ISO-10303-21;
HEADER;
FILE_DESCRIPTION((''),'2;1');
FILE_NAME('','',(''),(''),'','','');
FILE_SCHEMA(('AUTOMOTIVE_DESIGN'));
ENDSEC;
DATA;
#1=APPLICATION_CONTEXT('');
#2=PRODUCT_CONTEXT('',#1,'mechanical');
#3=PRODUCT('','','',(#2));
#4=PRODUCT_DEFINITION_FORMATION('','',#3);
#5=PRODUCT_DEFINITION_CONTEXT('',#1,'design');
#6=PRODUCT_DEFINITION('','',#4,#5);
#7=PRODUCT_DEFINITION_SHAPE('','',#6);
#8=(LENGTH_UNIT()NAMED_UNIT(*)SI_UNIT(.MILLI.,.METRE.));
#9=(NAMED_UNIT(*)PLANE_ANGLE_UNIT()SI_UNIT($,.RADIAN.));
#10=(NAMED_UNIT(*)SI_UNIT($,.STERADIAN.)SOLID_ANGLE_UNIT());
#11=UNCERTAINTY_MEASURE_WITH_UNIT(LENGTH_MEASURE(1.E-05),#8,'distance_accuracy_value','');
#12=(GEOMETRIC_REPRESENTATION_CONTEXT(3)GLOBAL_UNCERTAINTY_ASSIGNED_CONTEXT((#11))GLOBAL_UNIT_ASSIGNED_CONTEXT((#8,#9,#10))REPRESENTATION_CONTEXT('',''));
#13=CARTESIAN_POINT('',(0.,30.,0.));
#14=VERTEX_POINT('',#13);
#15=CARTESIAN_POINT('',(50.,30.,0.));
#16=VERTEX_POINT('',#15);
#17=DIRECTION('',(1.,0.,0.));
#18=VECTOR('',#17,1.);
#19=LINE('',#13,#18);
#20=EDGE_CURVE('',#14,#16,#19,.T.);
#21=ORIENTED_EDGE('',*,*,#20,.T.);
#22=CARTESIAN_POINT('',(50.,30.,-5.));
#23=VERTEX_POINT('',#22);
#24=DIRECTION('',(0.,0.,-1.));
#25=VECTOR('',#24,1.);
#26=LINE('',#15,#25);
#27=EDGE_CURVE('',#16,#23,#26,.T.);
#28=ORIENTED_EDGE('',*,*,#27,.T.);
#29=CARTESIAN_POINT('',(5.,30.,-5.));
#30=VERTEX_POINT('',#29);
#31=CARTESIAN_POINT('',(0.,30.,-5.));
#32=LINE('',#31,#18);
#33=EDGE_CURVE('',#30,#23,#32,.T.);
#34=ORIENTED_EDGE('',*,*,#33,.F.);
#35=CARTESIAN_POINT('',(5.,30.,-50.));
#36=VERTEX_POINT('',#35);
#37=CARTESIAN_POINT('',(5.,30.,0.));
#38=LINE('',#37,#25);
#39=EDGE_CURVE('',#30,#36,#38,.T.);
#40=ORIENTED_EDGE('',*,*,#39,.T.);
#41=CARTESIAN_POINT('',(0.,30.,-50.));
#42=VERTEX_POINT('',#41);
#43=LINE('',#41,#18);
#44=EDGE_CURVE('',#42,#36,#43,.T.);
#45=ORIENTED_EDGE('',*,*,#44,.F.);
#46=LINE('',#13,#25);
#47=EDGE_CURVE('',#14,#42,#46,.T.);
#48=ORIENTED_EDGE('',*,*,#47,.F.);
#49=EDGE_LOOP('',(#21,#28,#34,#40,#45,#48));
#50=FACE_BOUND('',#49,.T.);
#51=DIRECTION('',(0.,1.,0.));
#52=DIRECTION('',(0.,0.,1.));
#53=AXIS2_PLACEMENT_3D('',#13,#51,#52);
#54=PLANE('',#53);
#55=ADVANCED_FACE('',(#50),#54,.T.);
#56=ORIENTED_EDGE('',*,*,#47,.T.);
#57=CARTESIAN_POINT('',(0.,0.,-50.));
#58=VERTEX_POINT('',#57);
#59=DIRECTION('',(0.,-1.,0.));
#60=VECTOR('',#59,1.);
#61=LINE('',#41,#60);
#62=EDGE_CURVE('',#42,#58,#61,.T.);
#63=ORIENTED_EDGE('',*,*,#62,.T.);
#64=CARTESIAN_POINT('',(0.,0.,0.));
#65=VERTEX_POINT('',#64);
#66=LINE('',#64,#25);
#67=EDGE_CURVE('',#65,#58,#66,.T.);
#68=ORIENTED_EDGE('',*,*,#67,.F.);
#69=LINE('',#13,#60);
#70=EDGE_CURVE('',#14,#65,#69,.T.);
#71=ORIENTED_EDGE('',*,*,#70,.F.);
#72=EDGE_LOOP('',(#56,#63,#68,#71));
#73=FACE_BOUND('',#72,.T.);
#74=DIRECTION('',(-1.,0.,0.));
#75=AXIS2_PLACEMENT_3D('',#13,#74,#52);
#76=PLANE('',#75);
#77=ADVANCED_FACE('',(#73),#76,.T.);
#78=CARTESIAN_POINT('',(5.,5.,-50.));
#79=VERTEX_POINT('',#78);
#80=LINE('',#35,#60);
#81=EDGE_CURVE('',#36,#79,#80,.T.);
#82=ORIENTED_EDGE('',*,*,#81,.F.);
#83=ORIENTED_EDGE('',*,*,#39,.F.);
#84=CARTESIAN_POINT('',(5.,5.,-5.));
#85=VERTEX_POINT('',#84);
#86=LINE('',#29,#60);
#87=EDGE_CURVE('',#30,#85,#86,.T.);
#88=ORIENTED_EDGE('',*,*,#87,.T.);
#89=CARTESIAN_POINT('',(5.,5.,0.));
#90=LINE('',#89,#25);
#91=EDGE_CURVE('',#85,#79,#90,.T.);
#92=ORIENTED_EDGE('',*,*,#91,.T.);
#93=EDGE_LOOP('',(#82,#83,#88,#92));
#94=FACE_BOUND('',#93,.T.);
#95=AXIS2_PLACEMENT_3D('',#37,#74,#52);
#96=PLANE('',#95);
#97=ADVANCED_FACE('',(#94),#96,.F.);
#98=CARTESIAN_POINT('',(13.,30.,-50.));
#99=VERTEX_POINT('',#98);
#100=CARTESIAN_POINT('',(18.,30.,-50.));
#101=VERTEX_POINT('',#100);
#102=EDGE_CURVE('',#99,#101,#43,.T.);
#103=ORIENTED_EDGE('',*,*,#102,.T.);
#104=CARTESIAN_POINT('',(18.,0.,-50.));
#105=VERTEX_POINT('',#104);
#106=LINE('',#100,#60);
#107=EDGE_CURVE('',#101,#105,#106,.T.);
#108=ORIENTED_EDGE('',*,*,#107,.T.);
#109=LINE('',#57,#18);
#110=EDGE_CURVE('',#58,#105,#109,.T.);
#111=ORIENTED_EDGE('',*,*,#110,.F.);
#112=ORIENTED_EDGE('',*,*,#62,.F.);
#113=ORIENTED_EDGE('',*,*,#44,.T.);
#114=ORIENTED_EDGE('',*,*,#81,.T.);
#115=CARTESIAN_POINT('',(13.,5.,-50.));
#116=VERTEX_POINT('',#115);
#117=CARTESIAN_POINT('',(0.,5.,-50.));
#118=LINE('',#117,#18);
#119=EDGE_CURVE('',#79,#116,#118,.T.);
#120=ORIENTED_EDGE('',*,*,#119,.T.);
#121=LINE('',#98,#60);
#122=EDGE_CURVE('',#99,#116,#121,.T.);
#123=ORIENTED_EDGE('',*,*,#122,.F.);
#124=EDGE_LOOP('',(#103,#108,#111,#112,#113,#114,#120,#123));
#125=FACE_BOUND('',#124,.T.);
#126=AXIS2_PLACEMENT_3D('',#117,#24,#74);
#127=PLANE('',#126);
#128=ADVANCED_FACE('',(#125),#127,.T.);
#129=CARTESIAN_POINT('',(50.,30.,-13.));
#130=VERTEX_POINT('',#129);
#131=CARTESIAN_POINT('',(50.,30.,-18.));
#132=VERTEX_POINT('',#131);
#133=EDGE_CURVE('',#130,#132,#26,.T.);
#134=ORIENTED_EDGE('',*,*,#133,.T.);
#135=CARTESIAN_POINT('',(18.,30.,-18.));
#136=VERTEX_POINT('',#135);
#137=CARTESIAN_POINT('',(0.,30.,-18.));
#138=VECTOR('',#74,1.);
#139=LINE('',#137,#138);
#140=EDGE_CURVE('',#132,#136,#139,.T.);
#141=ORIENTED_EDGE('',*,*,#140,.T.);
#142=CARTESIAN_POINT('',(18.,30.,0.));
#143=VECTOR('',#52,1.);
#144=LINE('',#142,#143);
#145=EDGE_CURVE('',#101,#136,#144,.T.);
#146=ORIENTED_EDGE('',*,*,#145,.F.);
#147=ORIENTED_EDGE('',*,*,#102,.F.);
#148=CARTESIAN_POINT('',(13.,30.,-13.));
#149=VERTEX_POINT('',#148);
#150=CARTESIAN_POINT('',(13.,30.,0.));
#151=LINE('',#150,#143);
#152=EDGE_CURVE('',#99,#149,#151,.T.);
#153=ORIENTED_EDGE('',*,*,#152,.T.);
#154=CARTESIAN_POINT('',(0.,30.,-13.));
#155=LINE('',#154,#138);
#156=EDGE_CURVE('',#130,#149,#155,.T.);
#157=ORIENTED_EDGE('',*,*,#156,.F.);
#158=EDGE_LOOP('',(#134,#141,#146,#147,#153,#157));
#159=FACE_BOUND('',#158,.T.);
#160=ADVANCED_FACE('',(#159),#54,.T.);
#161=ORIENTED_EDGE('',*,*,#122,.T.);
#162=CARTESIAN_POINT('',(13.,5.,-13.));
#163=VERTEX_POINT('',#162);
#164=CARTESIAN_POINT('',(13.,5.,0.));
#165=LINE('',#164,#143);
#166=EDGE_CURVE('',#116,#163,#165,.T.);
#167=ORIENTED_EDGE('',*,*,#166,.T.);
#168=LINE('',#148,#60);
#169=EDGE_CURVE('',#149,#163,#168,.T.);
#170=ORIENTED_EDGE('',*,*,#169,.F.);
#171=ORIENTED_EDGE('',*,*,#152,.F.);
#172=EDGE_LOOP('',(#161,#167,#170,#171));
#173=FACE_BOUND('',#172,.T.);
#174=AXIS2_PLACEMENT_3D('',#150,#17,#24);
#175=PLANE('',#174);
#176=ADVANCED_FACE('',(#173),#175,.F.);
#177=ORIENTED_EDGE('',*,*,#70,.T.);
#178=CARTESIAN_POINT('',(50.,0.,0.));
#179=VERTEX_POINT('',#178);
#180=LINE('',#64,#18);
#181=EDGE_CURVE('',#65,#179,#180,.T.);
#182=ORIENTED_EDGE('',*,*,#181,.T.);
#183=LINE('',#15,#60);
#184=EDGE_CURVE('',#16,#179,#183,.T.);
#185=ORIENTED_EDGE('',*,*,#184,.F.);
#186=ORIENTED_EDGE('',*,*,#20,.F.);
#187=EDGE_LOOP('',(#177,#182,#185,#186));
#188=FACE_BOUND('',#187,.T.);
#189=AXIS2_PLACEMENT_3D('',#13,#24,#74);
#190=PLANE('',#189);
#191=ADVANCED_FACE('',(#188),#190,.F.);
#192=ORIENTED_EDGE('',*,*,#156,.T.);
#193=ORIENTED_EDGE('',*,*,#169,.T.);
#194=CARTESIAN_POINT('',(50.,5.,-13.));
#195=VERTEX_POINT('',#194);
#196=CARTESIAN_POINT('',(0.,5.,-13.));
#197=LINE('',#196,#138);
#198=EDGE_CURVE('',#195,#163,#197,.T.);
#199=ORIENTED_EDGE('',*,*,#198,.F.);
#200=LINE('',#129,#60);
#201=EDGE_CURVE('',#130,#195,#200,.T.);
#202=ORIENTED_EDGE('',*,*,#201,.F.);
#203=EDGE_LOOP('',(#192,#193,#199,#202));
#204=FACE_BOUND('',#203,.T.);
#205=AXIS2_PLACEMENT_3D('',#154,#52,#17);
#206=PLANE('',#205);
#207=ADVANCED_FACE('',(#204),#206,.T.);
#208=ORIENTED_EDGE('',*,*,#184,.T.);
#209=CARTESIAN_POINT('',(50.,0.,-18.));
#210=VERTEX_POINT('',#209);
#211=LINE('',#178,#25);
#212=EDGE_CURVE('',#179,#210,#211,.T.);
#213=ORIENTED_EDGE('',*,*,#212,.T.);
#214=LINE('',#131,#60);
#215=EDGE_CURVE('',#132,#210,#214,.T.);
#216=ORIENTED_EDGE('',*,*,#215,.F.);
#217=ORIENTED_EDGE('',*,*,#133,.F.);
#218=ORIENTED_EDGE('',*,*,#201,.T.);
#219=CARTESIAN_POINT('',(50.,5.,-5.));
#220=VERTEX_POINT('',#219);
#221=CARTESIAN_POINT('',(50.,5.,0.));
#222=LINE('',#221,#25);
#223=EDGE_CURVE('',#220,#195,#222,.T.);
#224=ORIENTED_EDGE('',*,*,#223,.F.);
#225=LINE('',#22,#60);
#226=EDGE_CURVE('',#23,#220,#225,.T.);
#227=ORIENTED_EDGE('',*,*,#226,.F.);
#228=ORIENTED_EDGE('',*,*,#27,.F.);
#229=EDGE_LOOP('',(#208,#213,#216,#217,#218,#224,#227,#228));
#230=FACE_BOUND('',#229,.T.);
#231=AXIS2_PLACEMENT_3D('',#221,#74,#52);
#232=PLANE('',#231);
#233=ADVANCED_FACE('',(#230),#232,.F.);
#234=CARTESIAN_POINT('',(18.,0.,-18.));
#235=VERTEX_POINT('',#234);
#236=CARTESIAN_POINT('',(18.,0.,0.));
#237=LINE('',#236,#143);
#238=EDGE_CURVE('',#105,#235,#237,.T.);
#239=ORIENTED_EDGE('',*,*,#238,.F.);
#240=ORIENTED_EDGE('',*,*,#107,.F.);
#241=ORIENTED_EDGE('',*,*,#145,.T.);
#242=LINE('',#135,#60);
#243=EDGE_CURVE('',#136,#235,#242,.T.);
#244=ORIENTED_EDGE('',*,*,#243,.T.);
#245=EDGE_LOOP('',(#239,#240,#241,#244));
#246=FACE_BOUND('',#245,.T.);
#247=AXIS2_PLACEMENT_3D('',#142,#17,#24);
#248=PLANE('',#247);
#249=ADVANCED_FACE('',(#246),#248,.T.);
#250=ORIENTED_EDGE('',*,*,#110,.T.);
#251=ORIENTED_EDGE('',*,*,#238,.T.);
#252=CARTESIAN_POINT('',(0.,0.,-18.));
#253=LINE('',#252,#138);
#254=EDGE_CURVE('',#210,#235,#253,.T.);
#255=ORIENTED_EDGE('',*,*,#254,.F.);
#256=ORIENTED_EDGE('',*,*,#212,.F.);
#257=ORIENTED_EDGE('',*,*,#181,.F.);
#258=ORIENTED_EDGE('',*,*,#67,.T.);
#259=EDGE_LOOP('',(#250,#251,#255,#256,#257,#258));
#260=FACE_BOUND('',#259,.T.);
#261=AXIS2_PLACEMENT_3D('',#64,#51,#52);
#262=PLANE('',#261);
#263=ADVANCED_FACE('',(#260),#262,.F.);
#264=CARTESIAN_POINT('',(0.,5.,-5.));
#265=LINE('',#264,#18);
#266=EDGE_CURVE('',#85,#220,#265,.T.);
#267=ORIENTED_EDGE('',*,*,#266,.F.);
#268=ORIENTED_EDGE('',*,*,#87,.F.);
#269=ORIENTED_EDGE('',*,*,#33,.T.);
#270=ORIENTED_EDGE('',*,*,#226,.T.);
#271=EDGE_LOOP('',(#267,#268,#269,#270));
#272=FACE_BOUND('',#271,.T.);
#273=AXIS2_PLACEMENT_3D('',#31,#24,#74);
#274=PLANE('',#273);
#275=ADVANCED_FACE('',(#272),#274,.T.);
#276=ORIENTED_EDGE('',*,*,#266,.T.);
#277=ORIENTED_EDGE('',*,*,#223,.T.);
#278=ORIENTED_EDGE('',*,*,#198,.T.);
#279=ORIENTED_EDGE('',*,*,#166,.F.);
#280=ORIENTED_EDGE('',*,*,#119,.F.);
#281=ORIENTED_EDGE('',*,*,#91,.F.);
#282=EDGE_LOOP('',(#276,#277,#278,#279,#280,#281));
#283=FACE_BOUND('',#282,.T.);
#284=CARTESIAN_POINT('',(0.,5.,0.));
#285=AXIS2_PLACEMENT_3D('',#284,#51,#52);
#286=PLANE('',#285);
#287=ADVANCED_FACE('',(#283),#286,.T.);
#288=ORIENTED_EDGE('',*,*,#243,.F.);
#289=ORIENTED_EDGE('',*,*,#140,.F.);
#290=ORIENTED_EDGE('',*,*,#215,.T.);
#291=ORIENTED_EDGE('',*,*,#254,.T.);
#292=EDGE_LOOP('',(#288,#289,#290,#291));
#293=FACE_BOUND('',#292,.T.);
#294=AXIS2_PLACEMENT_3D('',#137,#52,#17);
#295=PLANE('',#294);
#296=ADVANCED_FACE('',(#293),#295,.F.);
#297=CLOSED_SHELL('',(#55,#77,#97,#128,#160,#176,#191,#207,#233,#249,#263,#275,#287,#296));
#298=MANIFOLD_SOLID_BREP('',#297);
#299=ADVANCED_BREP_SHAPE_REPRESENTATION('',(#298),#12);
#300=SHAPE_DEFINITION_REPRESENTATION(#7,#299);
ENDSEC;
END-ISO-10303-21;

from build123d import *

# Parameters (mm, degrees)
BOSS_EXTRUDE1_DEPTH = 5
BOSS_EXTRUDE2_DEPTH = 30


with BuildPart() as part:
    # Sketch1 → Boss-Extrude1 (new body)
    with BuildSketch(Plane(origin=(0, 0, 0), x_dir=(1, 0, 0), z_dir=(0, 1, 0))):
        Polygon((13, 50), (5, 50), (5, 5), (50, 5), (50, 13), (13, 13), align=None)
    extrude(amount=BOSS_EXTRUDE1_DEPTH)

    # Sketch1<3> → Boss-Extrude2 (add)
    with BuildSketch(Plane(origin=(0, 0, 0), x_dir=(1, 0, 0), z_dir=(0, 1, 0))):
        Polygon((0, 50), (0, 0), (50, 0), (50, 5), (5, 5), (5, 50), align=None)
        Polygon((18, 50), (13, 50), (13, 13), (50, 13), (50, 18), (18, 18), align=None)
    extrude(amount=BOSS_EXTRUDE2_DEPTH)


solid = part.part
